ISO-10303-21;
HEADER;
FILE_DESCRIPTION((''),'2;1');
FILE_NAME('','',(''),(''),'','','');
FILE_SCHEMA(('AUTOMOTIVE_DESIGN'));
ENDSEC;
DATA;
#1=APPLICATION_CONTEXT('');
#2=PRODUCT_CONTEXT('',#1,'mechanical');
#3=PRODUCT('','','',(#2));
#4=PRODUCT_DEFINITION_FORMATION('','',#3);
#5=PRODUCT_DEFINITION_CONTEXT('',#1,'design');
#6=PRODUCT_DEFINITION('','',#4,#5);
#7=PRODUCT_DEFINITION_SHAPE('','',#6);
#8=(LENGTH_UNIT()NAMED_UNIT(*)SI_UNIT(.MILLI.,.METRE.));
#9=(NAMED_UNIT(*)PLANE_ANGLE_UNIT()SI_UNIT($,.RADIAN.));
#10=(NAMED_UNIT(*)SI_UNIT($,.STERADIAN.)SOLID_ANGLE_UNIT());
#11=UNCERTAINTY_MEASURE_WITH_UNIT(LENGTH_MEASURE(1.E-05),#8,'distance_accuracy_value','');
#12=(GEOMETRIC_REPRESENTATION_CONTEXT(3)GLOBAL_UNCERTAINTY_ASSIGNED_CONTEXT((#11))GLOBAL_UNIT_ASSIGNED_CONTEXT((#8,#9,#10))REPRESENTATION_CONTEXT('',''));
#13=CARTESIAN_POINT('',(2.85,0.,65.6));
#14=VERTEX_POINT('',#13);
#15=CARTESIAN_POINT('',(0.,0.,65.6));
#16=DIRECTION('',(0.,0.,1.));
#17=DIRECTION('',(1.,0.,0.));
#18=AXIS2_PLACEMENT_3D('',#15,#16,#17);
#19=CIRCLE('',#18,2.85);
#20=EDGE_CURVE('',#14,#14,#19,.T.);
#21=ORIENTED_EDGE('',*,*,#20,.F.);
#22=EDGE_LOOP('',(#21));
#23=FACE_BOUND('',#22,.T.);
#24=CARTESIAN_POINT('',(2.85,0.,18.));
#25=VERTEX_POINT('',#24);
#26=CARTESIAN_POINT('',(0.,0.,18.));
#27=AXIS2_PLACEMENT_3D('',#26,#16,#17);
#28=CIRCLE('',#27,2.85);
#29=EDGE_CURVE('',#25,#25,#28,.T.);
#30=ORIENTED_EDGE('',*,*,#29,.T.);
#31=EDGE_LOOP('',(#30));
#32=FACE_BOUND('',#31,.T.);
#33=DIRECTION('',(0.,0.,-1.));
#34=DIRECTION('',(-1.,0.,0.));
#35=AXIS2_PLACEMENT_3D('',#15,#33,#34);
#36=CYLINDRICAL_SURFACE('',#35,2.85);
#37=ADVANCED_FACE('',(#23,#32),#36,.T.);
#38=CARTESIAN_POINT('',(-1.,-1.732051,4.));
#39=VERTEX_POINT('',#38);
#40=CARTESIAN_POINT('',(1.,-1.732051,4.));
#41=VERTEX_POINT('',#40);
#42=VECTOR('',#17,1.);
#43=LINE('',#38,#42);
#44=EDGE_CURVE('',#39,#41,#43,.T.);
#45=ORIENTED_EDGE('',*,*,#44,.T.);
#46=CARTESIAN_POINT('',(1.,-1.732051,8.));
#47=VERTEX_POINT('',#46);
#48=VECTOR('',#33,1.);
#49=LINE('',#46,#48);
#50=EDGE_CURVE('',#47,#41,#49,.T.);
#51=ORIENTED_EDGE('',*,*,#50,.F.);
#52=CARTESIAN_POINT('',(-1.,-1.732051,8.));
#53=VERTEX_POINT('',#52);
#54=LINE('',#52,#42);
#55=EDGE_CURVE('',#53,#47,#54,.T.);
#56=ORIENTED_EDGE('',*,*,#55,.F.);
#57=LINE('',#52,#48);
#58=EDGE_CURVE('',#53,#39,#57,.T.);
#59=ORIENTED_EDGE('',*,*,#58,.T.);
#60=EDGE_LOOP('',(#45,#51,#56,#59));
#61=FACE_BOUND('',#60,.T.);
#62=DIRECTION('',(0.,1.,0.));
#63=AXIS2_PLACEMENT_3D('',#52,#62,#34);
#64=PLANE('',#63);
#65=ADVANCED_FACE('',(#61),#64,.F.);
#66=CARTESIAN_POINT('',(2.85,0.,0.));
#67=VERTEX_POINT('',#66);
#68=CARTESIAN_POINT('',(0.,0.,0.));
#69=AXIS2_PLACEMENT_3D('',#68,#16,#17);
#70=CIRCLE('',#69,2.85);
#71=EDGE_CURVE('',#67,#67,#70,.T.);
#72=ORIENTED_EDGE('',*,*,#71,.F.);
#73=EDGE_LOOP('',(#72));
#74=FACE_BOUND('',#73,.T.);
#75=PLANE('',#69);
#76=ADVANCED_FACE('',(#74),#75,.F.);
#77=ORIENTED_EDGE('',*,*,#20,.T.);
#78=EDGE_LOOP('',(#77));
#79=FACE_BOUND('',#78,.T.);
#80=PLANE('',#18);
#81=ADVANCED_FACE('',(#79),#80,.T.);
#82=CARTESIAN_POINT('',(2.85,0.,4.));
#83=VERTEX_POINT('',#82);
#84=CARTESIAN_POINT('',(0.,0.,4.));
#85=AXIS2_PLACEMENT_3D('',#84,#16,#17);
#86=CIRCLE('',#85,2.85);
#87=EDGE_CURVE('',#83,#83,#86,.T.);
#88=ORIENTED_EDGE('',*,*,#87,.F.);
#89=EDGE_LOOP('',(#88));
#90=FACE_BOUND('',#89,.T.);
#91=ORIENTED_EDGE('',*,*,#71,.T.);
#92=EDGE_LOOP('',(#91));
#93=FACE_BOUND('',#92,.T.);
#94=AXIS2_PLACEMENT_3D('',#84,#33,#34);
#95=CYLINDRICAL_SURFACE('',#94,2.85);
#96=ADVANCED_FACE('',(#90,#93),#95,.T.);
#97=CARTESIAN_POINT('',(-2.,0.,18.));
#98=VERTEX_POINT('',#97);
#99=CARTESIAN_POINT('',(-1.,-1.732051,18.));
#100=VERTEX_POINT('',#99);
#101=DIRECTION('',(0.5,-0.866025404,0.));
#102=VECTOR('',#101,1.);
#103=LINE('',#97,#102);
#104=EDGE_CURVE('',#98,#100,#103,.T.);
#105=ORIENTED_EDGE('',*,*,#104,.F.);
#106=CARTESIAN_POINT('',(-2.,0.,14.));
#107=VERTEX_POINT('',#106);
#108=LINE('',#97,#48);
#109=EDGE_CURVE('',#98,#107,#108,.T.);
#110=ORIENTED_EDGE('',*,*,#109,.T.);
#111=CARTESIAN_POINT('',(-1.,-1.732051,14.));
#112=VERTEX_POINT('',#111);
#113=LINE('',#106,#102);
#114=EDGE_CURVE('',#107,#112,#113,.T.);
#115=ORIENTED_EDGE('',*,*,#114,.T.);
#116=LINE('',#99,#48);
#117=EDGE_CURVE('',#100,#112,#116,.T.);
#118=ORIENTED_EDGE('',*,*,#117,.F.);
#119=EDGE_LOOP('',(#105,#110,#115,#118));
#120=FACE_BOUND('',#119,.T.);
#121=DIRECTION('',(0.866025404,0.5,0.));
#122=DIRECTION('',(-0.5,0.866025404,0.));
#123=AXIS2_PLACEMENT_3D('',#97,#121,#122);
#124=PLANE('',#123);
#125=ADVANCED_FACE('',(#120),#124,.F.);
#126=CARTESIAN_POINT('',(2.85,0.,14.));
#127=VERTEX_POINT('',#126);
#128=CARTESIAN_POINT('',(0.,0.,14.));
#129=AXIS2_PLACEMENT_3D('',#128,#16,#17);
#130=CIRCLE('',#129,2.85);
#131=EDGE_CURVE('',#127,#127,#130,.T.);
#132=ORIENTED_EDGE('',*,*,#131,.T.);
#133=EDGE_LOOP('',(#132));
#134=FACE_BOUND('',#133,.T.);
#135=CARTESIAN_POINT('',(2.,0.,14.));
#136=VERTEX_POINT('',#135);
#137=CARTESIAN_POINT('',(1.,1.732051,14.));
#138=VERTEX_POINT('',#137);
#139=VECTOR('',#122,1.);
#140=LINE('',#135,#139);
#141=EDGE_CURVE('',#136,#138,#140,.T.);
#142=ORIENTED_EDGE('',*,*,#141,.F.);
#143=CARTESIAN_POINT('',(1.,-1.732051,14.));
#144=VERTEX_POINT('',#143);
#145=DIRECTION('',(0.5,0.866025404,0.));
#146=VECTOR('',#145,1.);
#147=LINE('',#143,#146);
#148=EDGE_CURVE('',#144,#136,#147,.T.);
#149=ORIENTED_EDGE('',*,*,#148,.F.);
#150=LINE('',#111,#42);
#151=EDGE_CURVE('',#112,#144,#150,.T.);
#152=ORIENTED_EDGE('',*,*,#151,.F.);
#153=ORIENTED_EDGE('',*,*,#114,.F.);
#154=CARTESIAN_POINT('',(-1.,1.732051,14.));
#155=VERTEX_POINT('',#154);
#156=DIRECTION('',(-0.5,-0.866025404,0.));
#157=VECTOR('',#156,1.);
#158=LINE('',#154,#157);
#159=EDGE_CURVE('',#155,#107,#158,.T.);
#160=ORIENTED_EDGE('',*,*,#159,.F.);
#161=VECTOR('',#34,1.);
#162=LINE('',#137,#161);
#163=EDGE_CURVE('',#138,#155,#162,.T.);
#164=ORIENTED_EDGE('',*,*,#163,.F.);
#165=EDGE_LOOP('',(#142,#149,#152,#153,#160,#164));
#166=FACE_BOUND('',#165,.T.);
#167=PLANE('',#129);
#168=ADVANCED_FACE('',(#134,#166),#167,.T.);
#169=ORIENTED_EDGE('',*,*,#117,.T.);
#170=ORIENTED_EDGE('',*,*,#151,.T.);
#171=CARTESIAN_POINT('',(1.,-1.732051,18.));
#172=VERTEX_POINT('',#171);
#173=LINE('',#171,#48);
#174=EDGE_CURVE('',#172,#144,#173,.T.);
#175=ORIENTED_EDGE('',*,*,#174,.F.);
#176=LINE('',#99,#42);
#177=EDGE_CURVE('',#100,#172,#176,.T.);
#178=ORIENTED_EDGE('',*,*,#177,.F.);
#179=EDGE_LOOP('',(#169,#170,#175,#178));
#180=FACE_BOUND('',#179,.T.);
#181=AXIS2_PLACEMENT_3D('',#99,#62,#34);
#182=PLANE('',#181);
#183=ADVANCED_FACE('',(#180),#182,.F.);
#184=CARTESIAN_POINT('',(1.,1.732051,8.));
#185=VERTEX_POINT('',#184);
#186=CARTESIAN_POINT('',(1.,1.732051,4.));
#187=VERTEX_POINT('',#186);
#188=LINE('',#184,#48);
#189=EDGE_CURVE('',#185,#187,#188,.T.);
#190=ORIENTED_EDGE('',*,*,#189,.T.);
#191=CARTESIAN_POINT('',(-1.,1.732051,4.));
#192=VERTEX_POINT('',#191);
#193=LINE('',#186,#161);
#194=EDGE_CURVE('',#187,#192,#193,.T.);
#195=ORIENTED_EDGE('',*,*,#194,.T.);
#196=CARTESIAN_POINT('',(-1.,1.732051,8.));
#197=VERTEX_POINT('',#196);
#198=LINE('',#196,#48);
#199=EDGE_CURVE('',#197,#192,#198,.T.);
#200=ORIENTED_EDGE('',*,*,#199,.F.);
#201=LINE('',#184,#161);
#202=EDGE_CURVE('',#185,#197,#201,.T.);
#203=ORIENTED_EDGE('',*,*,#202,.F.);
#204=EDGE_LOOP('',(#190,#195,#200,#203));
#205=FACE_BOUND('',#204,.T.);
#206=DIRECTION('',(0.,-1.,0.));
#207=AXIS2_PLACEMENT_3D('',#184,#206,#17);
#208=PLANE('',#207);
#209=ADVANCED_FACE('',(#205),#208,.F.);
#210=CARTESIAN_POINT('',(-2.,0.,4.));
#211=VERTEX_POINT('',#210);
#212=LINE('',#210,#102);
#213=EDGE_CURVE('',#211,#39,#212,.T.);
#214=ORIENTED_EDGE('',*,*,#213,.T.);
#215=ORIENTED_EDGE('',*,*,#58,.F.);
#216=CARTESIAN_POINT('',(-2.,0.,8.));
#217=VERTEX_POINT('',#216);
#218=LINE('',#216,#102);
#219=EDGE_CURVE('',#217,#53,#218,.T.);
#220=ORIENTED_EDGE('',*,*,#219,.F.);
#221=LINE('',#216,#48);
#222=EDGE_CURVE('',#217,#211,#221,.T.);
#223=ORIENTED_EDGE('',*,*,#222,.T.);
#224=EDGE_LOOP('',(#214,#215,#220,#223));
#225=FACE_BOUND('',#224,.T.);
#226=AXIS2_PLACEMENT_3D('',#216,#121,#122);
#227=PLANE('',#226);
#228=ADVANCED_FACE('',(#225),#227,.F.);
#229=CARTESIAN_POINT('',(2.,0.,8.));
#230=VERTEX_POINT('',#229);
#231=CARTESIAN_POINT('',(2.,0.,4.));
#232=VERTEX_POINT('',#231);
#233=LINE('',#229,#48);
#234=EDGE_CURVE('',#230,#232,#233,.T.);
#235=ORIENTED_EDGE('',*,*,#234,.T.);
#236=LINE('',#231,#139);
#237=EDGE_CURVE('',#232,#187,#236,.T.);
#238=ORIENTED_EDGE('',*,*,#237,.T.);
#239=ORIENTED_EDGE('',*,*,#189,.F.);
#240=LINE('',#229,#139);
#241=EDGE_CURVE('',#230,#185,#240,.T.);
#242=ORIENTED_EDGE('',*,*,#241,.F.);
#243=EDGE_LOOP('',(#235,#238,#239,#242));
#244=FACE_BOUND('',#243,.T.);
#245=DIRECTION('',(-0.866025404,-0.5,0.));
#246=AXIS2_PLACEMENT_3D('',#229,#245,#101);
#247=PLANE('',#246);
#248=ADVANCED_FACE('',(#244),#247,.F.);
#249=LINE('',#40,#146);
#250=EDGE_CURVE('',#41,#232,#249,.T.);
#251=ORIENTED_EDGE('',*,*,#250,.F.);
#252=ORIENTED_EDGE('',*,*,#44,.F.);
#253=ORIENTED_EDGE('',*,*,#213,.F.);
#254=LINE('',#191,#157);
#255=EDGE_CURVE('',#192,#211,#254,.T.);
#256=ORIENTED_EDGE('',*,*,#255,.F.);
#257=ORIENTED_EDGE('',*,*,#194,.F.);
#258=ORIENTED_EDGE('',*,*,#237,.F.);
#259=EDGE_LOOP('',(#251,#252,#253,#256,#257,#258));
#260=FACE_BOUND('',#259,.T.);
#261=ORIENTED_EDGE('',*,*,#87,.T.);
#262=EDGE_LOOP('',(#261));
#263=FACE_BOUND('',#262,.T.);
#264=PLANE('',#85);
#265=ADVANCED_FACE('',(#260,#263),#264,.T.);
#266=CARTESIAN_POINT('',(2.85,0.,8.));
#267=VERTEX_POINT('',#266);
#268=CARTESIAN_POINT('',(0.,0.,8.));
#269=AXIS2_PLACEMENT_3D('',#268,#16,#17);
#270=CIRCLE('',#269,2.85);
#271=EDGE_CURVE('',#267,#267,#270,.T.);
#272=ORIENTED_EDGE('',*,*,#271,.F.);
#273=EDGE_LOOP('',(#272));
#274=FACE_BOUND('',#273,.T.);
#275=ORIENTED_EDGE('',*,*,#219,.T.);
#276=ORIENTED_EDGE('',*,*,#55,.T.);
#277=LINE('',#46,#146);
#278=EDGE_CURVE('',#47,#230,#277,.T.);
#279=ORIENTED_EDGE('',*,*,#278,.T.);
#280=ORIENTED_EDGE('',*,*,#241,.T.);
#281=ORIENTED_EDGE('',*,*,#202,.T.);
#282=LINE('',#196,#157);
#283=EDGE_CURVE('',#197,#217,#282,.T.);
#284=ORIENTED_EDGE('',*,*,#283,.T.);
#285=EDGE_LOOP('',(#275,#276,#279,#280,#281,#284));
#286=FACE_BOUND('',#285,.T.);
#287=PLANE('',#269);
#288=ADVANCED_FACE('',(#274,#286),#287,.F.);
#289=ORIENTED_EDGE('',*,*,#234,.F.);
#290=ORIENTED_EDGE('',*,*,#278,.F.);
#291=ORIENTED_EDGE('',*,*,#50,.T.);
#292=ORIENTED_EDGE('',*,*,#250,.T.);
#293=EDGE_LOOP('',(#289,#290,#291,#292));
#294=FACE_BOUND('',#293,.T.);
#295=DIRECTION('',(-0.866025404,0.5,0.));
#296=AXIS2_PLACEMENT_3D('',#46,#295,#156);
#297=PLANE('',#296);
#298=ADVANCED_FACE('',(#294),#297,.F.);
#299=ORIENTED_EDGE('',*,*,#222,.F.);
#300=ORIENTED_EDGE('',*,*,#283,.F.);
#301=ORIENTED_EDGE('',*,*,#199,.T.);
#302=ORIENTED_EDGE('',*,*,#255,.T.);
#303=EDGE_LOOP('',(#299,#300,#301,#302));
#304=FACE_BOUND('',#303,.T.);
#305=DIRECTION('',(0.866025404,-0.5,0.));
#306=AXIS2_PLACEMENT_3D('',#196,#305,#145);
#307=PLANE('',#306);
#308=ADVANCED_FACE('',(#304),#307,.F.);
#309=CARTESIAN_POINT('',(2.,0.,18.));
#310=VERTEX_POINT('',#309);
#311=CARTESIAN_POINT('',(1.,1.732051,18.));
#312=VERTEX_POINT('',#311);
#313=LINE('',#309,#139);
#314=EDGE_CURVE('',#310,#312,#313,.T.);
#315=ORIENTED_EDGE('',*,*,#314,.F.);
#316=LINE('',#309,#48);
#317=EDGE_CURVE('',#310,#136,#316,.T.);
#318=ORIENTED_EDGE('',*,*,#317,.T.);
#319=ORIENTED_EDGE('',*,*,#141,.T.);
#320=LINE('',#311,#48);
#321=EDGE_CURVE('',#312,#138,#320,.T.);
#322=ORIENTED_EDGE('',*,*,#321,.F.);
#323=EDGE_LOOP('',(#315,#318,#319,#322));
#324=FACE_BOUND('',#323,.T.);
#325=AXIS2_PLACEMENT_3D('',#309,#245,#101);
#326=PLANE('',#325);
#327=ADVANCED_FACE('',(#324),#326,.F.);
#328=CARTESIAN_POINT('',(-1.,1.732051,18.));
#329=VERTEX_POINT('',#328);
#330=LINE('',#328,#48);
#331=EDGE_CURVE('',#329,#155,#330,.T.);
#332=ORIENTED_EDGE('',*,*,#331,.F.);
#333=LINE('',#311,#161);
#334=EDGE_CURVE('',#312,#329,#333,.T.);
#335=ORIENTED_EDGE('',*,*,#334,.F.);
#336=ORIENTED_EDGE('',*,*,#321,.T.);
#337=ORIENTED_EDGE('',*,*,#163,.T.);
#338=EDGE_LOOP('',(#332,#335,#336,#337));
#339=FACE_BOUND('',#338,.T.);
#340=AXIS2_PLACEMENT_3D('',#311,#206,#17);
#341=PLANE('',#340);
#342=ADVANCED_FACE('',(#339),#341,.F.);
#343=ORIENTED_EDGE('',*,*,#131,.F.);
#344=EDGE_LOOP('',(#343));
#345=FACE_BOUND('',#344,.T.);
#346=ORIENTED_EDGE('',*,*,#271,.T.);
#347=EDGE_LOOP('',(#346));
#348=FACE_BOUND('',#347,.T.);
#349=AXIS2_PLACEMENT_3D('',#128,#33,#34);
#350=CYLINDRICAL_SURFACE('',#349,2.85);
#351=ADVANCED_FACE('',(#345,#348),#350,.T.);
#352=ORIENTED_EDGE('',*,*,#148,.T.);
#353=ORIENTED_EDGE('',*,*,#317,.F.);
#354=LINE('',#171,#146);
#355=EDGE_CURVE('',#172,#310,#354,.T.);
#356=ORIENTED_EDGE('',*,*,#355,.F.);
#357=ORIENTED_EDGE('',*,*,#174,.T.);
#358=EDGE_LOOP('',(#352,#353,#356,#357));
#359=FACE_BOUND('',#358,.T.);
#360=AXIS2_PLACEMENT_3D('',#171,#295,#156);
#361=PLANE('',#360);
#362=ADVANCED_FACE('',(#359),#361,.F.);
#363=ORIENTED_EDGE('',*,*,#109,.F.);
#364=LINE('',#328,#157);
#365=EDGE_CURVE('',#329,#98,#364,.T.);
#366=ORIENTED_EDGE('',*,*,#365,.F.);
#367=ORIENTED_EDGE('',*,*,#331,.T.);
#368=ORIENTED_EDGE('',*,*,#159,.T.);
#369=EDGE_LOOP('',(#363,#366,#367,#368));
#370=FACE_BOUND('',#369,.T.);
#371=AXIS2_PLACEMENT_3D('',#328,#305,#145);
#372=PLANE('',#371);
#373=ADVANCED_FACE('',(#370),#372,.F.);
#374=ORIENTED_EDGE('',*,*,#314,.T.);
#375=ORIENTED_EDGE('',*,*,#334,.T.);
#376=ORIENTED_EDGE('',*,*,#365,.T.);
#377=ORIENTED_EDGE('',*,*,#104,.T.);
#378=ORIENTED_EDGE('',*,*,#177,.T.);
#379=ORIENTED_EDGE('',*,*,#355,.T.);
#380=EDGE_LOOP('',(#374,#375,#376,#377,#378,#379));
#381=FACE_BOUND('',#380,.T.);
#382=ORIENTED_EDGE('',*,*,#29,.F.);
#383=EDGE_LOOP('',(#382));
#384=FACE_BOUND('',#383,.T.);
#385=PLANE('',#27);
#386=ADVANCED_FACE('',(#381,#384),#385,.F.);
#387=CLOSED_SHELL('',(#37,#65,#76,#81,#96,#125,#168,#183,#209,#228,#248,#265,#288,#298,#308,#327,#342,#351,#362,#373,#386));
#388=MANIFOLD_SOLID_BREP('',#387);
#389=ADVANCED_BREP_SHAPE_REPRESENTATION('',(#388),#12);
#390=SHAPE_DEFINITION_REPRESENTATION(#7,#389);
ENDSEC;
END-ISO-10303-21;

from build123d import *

# Parameters (mm, degrees)
SKETCH_1_R      = 2.85
EXTRUDE_1_DEPTH = 4
EXTRUDE_2_DEPTH = 4
SKETCH_3_R      = 2.85
EXTRUDE_3_DEPTH = 6
EXTRUDE_4_DEPTH = 4
SKETCH_5_R      = 2.85
EXTRUDE_5_DEPTH = 47.6


with BuildPart() as part:
    # 草图1 → 凸台-拉伸1 (new body)
    with BuildSketch(Plane.XY):
        Circle(SKETCH_1_R)
    extrude(amount=EXTRUDE_1_DEPTH)

    # 草图2 → 凸台-拉伸2 (add)
    with BuildSketch(Plane.XY.offset(4)):
        Polygon((2, 0), (1, 1.732050808), (-1, 1.732050808), (-2, 0), (-1, -1.732050808), (1, -1.732050808), align=None)
    extrude(amount=EXTRUDE_2_DEPTH)

    # 草图3 → 凸台-拉伸3 (add)
    with BuildSketch(Plane.XY.offset(8)):
        Circle(SKETCH_3_R)
    extrude(amount=EXTRUDE_3_DEPTH)

    # 草图4 → 凸台-拉伸4 (add)
    with BuildSketch(Plane.XY.offset(14)):
        Polygon((2, 0), (1, 1.732050808), (-1, 1.732050808), (-2, 0), (-1, -1.732050808), (1, -1.732050808), align=None)
    extrude(amount=EXTRUDE_4_DEPTH)

    # 草图5 → 凸台-拉伸5 (add)
    with BuildSketch(Plane.XY.offset(18)):
        Circle(SKETCH_5_R)
    extrude(amount=EXTRUDE_5_DEPTH)


solid = part.part
